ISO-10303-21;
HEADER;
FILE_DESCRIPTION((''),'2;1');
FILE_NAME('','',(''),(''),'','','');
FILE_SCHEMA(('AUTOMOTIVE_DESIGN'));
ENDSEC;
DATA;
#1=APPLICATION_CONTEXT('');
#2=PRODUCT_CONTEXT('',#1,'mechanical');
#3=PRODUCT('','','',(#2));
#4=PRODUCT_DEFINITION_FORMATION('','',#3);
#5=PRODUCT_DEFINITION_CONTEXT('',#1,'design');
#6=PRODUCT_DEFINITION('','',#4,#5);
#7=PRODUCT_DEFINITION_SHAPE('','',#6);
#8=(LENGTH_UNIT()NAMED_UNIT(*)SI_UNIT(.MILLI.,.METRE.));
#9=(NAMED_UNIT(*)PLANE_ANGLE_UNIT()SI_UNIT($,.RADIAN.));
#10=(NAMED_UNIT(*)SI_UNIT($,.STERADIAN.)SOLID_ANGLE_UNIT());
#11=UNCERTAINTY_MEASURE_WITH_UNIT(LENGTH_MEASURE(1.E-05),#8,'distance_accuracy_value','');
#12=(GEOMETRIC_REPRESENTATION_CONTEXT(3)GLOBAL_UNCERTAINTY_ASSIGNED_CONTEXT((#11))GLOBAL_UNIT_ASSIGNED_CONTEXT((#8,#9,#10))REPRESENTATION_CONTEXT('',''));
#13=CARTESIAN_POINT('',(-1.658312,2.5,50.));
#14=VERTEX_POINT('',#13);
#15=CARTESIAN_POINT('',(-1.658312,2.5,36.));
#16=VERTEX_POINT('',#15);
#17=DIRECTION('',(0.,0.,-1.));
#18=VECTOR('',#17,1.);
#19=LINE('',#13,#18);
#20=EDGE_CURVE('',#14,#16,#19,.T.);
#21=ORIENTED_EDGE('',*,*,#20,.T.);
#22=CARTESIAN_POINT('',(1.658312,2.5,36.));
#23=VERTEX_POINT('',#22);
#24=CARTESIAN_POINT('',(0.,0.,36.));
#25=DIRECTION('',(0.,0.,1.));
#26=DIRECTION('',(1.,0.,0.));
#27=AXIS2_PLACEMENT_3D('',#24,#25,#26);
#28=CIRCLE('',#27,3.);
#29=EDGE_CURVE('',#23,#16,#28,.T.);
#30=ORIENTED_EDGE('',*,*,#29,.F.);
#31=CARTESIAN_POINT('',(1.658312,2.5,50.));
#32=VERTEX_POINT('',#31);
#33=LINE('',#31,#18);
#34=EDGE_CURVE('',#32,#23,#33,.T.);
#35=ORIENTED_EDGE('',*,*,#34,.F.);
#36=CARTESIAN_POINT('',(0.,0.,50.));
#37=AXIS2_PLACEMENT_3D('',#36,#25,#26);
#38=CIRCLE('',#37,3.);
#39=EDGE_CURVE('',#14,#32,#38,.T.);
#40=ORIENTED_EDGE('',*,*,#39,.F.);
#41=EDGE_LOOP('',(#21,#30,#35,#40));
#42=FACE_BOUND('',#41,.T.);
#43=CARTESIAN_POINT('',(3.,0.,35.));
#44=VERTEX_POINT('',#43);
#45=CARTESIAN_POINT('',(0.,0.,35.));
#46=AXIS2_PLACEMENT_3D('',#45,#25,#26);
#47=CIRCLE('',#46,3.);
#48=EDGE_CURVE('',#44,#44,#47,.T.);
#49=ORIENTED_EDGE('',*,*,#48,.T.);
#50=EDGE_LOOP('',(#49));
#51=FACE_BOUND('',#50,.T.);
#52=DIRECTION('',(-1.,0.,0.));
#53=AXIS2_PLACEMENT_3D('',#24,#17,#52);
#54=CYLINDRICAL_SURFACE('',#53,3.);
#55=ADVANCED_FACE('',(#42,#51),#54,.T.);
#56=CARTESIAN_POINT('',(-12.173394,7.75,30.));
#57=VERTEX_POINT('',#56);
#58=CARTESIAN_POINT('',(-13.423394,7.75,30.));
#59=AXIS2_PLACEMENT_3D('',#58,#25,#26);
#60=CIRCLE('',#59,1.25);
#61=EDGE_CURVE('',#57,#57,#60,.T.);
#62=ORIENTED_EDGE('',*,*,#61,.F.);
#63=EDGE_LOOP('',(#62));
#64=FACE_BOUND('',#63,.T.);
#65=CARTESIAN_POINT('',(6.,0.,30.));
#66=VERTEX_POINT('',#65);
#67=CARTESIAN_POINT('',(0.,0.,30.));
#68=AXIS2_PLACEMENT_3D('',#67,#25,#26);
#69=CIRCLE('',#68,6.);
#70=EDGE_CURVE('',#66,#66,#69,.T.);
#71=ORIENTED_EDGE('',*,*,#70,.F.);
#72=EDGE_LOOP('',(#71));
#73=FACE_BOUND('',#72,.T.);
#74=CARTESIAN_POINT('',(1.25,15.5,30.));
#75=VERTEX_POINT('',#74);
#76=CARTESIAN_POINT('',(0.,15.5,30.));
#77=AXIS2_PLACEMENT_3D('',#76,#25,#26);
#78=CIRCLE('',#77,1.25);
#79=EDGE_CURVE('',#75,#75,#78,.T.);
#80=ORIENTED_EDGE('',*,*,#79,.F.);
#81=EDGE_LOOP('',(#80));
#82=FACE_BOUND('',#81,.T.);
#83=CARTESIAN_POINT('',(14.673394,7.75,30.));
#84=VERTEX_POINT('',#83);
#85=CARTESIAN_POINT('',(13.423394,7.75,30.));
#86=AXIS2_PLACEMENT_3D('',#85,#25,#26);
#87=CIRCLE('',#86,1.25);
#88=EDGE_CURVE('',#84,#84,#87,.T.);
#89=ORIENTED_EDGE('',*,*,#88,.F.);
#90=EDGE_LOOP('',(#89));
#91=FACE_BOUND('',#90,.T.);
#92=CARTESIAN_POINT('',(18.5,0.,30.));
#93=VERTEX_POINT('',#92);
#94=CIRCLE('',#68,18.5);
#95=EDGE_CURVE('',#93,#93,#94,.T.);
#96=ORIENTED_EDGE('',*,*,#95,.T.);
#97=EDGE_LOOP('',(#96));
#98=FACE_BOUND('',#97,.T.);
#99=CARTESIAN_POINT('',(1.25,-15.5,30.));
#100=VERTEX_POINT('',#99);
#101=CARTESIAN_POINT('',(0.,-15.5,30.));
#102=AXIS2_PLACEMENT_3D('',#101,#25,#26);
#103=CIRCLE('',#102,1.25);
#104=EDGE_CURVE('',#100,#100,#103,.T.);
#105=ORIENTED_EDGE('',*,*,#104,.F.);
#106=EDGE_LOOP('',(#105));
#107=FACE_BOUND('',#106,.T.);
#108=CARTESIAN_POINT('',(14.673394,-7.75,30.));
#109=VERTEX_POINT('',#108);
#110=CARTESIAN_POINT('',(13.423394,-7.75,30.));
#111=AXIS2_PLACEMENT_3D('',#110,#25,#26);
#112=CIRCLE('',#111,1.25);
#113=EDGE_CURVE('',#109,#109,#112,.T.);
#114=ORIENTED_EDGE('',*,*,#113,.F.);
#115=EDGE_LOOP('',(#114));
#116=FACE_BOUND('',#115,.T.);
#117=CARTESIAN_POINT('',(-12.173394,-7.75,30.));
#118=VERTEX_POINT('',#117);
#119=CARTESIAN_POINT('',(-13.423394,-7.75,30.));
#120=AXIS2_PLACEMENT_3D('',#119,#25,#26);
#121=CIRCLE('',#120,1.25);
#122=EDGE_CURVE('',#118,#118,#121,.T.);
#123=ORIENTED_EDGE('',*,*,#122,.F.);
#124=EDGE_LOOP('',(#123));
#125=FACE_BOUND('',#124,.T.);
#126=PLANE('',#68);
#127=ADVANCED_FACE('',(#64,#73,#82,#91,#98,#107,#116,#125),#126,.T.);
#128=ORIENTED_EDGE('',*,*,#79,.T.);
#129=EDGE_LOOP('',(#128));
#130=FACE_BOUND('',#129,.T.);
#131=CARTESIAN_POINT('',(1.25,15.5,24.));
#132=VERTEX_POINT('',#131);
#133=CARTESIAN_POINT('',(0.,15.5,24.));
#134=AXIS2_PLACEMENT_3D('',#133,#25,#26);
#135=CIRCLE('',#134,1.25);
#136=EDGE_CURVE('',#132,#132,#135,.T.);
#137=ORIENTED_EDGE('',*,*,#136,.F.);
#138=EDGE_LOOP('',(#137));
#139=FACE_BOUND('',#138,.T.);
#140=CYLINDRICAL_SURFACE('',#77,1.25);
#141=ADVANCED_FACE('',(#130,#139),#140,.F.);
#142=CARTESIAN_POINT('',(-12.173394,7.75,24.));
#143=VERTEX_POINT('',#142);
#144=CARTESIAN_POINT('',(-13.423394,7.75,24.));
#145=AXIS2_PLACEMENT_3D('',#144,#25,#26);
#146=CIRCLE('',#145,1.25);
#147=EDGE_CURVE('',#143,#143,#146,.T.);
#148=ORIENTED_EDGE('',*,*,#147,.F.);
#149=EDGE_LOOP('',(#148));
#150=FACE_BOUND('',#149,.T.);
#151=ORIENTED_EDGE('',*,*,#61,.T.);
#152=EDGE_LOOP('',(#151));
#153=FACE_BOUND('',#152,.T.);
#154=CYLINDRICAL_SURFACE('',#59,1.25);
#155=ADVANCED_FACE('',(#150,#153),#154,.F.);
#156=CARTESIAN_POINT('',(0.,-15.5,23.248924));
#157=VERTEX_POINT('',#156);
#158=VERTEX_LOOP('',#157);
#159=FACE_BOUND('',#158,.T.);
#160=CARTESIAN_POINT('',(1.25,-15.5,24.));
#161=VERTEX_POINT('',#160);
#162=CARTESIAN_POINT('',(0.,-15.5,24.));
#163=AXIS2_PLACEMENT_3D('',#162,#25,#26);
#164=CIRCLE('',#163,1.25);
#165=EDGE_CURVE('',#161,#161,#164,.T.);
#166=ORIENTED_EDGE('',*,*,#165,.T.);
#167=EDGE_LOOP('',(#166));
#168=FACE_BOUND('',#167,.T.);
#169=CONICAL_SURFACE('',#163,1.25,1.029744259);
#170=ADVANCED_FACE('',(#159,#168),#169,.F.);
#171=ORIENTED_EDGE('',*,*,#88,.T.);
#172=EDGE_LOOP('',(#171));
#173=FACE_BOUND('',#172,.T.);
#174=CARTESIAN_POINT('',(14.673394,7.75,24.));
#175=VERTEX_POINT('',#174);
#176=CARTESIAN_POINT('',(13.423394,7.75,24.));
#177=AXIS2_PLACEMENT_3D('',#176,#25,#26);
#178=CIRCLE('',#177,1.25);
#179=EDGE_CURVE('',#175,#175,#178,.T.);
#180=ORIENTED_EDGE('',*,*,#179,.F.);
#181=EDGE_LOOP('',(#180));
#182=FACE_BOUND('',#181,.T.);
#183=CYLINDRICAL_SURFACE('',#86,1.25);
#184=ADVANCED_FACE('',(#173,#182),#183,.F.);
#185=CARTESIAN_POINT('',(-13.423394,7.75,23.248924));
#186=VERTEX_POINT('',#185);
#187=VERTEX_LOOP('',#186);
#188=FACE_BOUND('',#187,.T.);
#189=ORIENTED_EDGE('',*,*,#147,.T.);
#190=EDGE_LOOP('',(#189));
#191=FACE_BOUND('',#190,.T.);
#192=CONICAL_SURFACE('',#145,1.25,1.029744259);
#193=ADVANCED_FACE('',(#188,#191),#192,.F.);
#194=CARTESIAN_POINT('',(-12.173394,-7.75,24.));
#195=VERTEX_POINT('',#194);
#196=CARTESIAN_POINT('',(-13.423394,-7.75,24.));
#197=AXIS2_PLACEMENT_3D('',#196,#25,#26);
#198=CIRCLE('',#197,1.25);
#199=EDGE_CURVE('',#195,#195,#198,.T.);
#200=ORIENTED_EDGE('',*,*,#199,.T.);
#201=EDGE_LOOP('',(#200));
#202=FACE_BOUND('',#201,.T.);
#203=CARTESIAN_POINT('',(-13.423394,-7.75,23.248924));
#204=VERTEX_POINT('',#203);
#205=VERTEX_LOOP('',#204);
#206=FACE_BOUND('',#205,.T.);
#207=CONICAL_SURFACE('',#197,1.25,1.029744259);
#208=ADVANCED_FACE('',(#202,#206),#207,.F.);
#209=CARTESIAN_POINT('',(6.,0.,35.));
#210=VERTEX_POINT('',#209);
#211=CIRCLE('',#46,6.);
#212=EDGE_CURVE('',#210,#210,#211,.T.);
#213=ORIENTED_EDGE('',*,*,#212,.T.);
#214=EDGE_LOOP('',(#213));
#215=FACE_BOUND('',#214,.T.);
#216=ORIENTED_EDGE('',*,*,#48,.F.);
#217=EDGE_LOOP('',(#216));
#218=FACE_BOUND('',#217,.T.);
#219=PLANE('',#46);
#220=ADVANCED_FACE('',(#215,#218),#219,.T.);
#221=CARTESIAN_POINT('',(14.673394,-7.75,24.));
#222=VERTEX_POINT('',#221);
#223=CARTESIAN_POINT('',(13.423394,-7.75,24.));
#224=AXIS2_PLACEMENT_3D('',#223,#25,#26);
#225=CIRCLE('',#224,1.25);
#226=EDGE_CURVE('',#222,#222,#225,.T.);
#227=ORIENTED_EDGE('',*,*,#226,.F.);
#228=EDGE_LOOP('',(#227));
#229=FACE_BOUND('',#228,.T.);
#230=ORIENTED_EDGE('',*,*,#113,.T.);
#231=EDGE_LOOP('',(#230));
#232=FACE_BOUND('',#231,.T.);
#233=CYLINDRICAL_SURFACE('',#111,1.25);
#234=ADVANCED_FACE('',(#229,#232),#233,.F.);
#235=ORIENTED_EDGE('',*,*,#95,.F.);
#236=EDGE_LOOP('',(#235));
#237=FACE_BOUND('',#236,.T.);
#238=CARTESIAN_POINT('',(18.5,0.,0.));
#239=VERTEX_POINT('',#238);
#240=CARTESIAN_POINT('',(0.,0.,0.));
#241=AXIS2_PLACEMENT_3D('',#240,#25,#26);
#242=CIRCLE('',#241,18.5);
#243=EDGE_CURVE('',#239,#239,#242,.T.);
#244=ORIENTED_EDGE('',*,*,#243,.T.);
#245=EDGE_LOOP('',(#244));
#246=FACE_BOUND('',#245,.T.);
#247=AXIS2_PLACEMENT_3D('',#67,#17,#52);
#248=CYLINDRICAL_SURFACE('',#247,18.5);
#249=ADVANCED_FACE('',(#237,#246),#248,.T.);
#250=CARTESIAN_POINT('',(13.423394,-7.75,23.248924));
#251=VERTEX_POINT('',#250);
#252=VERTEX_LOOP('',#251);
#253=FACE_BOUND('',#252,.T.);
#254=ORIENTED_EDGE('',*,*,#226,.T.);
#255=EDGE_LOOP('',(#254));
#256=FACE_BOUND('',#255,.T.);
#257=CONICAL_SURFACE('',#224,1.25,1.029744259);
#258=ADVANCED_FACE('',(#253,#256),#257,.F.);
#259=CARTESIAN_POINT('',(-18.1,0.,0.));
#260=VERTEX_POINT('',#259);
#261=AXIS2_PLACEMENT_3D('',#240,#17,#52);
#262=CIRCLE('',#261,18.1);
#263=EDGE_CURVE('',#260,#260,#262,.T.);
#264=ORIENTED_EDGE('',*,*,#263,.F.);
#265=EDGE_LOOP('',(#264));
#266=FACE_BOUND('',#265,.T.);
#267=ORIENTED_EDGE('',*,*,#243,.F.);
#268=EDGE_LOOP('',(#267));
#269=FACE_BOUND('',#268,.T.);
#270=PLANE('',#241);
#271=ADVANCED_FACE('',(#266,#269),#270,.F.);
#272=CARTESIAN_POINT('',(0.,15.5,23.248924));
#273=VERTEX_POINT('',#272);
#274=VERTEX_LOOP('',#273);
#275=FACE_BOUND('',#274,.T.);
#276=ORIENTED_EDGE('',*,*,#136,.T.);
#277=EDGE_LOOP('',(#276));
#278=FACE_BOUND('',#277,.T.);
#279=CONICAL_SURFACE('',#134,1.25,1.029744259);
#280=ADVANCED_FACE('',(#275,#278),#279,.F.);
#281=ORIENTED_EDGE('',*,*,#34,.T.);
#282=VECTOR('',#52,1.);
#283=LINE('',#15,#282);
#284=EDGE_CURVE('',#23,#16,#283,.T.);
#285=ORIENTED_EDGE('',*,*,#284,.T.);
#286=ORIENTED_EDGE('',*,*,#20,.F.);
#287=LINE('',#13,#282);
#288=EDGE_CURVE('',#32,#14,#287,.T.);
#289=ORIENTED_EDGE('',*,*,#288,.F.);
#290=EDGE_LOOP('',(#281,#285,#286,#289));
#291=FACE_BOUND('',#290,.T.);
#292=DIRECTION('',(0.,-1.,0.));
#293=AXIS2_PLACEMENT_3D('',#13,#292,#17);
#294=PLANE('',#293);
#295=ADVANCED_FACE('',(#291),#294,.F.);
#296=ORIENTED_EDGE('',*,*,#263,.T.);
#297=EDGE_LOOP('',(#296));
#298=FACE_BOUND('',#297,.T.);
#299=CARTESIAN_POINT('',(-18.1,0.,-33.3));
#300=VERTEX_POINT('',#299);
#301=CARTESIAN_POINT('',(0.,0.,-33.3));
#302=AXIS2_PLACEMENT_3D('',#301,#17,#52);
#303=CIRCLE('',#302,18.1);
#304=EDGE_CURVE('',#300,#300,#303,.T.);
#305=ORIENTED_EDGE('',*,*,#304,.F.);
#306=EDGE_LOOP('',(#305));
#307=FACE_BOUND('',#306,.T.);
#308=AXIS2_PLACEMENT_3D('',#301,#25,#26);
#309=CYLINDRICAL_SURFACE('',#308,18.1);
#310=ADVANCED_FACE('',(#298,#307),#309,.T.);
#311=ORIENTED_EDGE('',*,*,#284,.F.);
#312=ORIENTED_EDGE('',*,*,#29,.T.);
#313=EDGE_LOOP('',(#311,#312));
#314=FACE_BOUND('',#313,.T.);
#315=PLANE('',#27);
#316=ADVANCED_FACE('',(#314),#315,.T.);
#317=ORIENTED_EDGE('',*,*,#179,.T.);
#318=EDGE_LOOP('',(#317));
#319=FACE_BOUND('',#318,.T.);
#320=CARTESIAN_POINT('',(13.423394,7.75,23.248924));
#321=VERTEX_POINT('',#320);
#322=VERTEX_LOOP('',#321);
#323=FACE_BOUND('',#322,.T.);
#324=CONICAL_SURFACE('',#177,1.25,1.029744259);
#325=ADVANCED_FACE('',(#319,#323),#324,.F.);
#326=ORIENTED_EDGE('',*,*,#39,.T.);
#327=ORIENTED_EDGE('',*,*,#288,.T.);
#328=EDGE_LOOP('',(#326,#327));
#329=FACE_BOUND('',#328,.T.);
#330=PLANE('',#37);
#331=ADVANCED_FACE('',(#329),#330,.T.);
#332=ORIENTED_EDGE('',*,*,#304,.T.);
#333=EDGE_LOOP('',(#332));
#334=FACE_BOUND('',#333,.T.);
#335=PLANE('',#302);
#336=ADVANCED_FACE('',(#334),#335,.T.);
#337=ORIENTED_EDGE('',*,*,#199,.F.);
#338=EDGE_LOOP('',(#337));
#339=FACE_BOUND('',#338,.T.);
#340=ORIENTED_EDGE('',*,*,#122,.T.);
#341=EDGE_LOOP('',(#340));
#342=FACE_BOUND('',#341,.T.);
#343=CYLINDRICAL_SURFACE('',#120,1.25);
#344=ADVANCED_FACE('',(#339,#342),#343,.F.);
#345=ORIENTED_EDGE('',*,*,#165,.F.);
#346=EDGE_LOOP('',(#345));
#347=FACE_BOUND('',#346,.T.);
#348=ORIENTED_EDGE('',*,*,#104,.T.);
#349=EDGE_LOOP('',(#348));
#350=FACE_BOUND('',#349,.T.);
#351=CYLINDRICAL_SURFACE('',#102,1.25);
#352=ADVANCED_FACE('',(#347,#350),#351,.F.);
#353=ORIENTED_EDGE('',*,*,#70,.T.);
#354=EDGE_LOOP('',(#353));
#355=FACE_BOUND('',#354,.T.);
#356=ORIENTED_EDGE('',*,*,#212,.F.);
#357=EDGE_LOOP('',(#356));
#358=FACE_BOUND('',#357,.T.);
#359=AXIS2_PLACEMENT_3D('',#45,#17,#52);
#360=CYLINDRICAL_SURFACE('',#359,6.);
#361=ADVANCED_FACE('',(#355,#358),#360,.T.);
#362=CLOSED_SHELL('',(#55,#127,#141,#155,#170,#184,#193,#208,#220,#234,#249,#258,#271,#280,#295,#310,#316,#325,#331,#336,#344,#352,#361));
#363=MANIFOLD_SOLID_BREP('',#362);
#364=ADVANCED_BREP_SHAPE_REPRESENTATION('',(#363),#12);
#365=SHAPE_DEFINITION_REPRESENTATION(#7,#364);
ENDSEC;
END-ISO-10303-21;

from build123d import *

# Parameters (mm, degrees)
SKETCH1_R                 = 18.5
BOSS_EXTRUDE1_DEPTH       = 30
SKETCH2_R                 = 18.1
BOSS_EXTRUDE2_DEPTH       = 33.3
SKETCH3_R                 = 6
BOSS_EXTRUDE3_DEPTH       = 5
SKETCH4_R                 = 3
BOSS_EXTRUDE4_DEPTH       = 1
BOSS_EXTRUDE5_DEPTH       = 14
M3X0_5_TAPPED_HOLE1_D     = 2.5
M3X0_5_TAPPED_HOLE1_DEPTH = 6
M3X0_5_TAPPED_HOLE1_TIP   = 0.751075774


with BuildPart() as part:
    # Sketch1 → Boss-Extrude1 (new body)
    with BuildSketch(Plane.XY):
        Circle(SKETCH1_R)
    extrude(amount=BOSS_EXTRUDE1_DEPTH)

    # Sketch2 → Boss-Extrude2 (add)
    with BuildSketch(Plane(origin=(0, 0, 0), x_dir=(-1, 0, 0), z_dir=(0, 0, -1))):
        Circle(SKETCH2_R)
    extrude(amount=BOSS_EXTRUDE2_DEPTH)

    # Sketch3 → Boss-Extrude3 (add)
    with BuildSketch(Plane.XY.offset(30)):
        Circle(SKETCH3_R)
    extrude(amount=BOSS_EXTRUDE3_DEPTH)

    # Sketch4 → Boss-Extrude4 (add)
    with BuildSketch(Plane.XY.offset(35)):
        Circle(SKETCH4_R)
    extrude(amount=BOSS_EXTRUDE4_DEPTH)

    # Sketch5 → Boss-Extrude5 (add)
    with BuildSketch(Plane.XY.offset(36)):
        with BuildLine():
            Line((-1.658312395, 2.5), (1.658312395, 2.5))
            ThreePointArc((1.658312395, 2.5), (0, -3), (-1.658312395, 2.5))
        make_face()
    extrude(amount=BOSS_EXTRUDE5_DEPTH)

    # M3x0.5 Tapped Hole1
    with Locations(Plane.XY.offset(30)):
        with Locations((0, 15.5), (13.423393759, 7.75), (13.423393759, -7.75), (0, -15.5), (-13.423393759, -7.75), (-13.423393759, 7.75)):
            Hole(M3X0_5_TAPPED_HOLE1_D / 2, depth=M3X0_5_TAPPED_HOLE1_DEPTH)
            with Locations((0, 0, -(M3X0_5_TAPPED_HOLE1_DEPTH + M3X0_5_TAPPED_HOLE1_TIP / 2))):  # 118° drill point
                Cone(0, M3X0_5_TAPPED_HOLE1_D / 2, M3X0_5_TAPPED_HOLE1_TIP, mode=Mode.SUBTRACT)


solid = part.part
